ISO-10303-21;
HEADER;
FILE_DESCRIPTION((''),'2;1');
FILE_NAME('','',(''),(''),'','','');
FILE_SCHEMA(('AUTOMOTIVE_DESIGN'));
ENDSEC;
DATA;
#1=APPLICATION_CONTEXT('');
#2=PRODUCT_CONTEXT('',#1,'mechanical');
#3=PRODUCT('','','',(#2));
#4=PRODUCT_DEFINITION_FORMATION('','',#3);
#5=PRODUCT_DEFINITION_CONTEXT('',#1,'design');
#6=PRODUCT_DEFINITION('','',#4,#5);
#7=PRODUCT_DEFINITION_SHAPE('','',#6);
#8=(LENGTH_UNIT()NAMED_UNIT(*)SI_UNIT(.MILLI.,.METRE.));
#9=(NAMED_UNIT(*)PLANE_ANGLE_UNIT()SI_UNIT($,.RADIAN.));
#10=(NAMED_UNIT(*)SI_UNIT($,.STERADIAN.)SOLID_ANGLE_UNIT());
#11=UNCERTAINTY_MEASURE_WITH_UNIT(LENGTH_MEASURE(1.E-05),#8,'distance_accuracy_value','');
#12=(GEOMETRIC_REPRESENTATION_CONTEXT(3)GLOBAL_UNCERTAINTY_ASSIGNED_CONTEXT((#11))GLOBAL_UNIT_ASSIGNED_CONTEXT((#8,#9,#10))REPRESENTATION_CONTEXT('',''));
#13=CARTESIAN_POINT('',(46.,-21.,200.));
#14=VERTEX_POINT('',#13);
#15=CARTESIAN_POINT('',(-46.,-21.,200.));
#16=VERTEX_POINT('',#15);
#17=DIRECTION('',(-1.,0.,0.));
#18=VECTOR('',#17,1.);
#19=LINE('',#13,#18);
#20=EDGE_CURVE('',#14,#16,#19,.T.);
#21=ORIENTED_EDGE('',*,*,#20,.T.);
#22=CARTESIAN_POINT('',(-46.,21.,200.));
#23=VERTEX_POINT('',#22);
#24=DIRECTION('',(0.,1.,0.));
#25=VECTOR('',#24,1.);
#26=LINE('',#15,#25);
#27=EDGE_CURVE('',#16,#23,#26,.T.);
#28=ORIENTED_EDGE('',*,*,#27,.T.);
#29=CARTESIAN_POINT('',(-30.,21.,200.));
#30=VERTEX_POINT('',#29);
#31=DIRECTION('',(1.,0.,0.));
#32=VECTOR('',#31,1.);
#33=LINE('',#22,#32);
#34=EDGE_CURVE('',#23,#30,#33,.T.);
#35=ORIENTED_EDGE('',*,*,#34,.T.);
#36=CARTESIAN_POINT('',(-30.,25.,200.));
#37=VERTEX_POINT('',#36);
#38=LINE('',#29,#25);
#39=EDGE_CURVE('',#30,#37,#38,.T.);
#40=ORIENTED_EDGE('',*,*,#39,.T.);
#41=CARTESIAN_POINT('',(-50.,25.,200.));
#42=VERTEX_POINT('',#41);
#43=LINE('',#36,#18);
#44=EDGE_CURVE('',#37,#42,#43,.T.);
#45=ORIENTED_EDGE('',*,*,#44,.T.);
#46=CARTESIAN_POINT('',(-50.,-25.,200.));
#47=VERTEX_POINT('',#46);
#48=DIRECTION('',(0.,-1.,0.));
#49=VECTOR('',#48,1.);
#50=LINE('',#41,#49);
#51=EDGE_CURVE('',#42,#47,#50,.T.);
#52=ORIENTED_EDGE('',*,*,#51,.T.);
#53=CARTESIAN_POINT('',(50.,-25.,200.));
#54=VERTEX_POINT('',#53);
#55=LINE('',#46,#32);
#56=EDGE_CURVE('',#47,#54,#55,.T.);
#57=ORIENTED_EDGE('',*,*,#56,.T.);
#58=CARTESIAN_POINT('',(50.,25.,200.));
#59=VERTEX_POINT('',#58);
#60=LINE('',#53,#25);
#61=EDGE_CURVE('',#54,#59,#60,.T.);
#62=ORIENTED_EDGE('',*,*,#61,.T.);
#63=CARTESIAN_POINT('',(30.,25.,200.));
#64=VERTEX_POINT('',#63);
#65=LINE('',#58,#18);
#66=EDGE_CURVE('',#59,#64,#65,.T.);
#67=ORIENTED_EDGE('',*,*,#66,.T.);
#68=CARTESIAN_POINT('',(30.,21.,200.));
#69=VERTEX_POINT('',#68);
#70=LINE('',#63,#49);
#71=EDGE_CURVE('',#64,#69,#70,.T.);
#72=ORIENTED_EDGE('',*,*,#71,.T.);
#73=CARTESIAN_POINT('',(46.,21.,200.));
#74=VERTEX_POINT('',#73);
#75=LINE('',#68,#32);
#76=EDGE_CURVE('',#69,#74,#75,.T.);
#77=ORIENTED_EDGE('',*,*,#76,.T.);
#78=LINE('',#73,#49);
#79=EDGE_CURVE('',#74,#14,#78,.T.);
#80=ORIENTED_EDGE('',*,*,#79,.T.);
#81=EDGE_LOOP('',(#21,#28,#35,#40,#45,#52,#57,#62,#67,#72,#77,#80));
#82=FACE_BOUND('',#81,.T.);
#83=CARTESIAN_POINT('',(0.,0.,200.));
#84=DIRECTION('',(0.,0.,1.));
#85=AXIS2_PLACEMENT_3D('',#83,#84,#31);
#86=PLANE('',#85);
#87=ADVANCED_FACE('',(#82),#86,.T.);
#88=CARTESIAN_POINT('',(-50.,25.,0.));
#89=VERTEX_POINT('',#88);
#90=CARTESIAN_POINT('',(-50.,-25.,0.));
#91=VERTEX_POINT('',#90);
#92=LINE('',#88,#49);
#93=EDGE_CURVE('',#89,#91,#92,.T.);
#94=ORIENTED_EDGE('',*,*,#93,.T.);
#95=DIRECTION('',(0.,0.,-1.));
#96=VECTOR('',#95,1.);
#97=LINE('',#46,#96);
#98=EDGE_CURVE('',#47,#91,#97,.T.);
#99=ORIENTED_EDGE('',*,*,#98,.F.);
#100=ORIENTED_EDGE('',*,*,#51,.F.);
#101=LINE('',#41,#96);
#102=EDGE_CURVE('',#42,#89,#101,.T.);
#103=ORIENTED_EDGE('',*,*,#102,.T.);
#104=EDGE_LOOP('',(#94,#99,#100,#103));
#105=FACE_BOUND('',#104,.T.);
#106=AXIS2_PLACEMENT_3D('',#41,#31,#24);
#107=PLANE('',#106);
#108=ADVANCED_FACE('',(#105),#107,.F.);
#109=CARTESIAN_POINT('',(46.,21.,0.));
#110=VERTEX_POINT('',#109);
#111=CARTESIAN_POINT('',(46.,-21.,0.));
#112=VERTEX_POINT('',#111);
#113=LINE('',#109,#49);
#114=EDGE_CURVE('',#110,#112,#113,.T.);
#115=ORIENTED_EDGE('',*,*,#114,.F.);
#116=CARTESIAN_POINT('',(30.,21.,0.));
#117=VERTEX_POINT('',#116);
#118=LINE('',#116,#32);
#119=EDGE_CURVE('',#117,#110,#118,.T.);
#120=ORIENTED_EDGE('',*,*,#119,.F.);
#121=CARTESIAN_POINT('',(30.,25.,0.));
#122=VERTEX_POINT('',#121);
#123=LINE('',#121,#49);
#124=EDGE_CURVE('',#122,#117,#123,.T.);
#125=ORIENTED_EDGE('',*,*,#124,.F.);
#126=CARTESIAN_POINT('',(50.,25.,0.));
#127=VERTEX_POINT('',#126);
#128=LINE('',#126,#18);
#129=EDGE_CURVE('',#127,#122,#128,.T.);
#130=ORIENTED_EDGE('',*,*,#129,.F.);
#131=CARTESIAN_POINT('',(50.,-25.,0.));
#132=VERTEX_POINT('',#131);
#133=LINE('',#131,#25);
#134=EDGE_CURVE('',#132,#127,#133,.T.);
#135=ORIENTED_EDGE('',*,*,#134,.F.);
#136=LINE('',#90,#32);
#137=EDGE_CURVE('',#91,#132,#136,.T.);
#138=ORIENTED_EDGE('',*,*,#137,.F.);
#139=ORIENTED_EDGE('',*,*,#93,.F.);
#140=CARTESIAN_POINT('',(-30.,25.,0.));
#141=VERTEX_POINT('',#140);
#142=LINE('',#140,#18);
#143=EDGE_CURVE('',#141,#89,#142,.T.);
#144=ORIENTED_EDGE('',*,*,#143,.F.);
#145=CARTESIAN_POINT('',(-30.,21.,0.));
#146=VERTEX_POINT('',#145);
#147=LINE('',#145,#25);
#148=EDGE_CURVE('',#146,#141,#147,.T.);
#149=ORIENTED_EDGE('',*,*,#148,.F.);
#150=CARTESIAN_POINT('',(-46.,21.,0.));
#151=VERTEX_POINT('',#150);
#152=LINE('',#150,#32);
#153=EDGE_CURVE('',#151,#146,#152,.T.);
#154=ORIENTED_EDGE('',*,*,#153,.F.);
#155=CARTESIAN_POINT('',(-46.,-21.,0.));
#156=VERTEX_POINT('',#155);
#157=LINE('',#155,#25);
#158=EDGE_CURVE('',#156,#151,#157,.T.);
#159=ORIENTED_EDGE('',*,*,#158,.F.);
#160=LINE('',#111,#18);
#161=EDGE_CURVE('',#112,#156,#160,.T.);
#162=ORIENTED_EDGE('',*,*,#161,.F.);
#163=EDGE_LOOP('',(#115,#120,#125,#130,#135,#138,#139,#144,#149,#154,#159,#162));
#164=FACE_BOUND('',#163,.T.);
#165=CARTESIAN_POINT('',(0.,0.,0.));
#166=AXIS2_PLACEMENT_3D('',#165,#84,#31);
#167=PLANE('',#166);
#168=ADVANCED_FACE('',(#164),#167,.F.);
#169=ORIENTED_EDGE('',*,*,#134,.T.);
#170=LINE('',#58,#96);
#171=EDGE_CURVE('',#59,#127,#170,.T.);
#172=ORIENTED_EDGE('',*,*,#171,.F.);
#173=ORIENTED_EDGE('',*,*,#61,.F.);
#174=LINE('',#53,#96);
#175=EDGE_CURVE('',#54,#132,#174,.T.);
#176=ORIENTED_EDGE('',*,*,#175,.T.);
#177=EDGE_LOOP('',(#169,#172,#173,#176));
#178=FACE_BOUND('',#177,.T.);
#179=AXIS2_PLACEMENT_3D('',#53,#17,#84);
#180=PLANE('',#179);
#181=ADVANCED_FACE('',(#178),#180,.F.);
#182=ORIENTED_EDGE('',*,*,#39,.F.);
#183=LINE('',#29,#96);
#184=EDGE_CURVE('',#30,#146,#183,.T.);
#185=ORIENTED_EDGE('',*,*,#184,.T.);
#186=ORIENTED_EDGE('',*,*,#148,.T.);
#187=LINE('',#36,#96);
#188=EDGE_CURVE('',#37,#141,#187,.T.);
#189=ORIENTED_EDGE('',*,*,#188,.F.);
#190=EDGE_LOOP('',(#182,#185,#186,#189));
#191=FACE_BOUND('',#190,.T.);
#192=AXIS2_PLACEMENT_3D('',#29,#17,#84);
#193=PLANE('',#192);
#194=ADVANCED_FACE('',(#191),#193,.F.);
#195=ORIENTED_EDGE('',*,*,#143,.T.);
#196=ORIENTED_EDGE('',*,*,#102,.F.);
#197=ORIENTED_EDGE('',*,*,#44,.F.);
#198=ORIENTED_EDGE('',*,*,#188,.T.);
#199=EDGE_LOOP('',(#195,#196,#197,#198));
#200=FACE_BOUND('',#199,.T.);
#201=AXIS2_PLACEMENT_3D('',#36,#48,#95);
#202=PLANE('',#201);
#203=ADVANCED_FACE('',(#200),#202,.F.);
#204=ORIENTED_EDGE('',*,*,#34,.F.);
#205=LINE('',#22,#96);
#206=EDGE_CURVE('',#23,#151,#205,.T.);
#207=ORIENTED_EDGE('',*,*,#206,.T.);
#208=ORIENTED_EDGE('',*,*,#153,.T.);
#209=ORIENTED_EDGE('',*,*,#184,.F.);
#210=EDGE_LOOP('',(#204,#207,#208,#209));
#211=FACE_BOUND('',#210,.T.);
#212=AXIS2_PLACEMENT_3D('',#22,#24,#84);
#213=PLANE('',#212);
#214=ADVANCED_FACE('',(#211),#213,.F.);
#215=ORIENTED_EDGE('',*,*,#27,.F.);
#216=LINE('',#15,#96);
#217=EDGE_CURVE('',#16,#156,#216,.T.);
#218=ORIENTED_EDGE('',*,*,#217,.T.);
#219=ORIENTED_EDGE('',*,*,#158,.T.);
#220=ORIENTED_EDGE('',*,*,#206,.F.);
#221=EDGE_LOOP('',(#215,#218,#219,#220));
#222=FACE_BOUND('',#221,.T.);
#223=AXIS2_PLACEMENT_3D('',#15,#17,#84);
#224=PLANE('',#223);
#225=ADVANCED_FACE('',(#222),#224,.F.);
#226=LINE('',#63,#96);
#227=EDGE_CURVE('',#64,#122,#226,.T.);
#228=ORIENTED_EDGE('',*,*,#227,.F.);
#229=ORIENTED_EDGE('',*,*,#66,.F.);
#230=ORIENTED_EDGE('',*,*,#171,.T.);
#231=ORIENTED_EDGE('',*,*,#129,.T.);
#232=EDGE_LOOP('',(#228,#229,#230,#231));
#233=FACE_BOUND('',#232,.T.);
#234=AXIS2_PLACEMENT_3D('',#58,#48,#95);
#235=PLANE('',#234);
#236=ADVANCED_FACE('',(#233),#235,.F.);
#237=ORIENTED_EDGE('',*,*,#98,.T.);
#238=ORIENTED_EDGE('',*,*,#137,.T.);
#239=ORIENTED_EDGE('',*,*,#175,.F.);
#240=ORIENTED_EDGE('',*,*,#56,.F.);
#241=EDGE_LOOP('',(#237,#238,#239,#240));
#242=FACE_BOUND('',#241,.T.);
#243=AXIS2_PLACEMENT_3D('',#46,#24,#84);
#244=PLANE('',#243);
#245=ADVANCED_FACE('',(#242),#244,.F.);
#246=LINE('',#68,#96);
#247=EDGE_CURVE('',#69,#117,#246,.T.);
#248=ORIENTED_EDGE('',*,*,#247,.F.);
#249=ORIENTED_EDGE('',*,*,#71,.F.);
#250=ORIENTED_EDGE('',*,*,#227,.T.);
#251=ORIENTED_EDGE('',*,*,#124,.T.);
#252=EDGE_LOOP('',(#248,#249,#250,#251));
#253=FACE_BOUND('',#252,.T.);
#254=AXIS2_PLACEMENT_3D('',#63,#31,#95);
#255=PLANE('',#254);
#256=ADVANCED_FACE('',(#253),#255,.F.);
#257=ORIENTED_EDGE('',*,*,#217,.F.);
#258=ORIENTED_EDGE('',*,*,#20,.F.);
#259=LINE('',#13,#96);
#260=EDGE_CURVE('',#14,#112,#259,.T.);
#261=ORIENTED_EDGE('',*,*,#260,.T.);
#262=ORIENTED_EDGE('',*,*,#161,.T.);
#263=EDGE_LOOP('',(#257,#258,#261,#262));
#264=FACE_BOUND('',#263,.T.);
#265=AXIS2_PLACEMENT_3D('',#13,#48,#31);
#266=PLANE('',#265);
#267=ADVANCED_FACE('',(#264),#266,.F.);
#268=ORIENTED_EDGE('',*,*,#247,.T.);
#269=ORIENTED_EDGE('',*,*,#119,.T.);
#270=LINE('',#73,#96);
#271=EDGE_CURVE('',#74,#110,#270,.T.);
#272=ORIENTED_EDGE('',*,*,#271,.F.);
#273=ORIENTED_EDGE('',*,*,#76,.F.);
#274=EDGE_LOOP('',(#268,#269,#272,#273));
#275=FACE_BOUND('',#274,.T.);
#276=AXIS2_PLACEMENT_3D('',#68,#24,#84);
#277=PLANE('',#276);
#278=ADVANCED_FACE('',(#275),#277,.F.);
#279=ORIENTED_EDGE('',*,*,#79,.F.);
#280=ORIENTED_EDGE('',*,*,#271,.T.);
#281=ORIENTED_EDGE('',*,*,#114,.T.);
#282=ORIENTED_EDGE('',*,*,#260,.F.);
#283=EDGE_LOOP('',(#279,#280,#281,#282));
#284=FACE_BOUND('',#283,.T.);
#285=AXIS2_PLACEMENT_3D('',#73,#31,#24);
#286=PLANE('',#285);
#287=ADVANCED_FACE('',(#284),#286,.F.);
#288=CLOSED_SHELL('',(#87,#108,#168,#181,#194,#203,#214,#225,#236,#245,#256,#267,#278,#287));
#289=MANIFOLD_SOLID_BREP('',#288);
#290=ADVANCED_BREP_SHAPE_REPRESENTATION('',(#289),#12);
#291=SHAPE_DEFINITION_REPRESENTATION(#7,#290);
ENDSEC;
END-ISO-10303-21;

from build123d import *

# Parameters (mm, degrees)
BOSS_EXTRUDE1_DEPTH = 200


with BuildPart() as part:
    # Sketch1 → Boss-Extrude1 (new body)
    with BuildSketch(Plane.XY):
        Polygon((-30, 25), (-50, 25), (-50, -25), (50, -25), (50, 25), (30, 25), (30, 21), (46, 21), (46, -21), (-46, -21), (-46, 21), (-30, 21), align=None)
    extrude(amount=BOSS_EXTRUDE1_DEPTH)


solid = part.part
